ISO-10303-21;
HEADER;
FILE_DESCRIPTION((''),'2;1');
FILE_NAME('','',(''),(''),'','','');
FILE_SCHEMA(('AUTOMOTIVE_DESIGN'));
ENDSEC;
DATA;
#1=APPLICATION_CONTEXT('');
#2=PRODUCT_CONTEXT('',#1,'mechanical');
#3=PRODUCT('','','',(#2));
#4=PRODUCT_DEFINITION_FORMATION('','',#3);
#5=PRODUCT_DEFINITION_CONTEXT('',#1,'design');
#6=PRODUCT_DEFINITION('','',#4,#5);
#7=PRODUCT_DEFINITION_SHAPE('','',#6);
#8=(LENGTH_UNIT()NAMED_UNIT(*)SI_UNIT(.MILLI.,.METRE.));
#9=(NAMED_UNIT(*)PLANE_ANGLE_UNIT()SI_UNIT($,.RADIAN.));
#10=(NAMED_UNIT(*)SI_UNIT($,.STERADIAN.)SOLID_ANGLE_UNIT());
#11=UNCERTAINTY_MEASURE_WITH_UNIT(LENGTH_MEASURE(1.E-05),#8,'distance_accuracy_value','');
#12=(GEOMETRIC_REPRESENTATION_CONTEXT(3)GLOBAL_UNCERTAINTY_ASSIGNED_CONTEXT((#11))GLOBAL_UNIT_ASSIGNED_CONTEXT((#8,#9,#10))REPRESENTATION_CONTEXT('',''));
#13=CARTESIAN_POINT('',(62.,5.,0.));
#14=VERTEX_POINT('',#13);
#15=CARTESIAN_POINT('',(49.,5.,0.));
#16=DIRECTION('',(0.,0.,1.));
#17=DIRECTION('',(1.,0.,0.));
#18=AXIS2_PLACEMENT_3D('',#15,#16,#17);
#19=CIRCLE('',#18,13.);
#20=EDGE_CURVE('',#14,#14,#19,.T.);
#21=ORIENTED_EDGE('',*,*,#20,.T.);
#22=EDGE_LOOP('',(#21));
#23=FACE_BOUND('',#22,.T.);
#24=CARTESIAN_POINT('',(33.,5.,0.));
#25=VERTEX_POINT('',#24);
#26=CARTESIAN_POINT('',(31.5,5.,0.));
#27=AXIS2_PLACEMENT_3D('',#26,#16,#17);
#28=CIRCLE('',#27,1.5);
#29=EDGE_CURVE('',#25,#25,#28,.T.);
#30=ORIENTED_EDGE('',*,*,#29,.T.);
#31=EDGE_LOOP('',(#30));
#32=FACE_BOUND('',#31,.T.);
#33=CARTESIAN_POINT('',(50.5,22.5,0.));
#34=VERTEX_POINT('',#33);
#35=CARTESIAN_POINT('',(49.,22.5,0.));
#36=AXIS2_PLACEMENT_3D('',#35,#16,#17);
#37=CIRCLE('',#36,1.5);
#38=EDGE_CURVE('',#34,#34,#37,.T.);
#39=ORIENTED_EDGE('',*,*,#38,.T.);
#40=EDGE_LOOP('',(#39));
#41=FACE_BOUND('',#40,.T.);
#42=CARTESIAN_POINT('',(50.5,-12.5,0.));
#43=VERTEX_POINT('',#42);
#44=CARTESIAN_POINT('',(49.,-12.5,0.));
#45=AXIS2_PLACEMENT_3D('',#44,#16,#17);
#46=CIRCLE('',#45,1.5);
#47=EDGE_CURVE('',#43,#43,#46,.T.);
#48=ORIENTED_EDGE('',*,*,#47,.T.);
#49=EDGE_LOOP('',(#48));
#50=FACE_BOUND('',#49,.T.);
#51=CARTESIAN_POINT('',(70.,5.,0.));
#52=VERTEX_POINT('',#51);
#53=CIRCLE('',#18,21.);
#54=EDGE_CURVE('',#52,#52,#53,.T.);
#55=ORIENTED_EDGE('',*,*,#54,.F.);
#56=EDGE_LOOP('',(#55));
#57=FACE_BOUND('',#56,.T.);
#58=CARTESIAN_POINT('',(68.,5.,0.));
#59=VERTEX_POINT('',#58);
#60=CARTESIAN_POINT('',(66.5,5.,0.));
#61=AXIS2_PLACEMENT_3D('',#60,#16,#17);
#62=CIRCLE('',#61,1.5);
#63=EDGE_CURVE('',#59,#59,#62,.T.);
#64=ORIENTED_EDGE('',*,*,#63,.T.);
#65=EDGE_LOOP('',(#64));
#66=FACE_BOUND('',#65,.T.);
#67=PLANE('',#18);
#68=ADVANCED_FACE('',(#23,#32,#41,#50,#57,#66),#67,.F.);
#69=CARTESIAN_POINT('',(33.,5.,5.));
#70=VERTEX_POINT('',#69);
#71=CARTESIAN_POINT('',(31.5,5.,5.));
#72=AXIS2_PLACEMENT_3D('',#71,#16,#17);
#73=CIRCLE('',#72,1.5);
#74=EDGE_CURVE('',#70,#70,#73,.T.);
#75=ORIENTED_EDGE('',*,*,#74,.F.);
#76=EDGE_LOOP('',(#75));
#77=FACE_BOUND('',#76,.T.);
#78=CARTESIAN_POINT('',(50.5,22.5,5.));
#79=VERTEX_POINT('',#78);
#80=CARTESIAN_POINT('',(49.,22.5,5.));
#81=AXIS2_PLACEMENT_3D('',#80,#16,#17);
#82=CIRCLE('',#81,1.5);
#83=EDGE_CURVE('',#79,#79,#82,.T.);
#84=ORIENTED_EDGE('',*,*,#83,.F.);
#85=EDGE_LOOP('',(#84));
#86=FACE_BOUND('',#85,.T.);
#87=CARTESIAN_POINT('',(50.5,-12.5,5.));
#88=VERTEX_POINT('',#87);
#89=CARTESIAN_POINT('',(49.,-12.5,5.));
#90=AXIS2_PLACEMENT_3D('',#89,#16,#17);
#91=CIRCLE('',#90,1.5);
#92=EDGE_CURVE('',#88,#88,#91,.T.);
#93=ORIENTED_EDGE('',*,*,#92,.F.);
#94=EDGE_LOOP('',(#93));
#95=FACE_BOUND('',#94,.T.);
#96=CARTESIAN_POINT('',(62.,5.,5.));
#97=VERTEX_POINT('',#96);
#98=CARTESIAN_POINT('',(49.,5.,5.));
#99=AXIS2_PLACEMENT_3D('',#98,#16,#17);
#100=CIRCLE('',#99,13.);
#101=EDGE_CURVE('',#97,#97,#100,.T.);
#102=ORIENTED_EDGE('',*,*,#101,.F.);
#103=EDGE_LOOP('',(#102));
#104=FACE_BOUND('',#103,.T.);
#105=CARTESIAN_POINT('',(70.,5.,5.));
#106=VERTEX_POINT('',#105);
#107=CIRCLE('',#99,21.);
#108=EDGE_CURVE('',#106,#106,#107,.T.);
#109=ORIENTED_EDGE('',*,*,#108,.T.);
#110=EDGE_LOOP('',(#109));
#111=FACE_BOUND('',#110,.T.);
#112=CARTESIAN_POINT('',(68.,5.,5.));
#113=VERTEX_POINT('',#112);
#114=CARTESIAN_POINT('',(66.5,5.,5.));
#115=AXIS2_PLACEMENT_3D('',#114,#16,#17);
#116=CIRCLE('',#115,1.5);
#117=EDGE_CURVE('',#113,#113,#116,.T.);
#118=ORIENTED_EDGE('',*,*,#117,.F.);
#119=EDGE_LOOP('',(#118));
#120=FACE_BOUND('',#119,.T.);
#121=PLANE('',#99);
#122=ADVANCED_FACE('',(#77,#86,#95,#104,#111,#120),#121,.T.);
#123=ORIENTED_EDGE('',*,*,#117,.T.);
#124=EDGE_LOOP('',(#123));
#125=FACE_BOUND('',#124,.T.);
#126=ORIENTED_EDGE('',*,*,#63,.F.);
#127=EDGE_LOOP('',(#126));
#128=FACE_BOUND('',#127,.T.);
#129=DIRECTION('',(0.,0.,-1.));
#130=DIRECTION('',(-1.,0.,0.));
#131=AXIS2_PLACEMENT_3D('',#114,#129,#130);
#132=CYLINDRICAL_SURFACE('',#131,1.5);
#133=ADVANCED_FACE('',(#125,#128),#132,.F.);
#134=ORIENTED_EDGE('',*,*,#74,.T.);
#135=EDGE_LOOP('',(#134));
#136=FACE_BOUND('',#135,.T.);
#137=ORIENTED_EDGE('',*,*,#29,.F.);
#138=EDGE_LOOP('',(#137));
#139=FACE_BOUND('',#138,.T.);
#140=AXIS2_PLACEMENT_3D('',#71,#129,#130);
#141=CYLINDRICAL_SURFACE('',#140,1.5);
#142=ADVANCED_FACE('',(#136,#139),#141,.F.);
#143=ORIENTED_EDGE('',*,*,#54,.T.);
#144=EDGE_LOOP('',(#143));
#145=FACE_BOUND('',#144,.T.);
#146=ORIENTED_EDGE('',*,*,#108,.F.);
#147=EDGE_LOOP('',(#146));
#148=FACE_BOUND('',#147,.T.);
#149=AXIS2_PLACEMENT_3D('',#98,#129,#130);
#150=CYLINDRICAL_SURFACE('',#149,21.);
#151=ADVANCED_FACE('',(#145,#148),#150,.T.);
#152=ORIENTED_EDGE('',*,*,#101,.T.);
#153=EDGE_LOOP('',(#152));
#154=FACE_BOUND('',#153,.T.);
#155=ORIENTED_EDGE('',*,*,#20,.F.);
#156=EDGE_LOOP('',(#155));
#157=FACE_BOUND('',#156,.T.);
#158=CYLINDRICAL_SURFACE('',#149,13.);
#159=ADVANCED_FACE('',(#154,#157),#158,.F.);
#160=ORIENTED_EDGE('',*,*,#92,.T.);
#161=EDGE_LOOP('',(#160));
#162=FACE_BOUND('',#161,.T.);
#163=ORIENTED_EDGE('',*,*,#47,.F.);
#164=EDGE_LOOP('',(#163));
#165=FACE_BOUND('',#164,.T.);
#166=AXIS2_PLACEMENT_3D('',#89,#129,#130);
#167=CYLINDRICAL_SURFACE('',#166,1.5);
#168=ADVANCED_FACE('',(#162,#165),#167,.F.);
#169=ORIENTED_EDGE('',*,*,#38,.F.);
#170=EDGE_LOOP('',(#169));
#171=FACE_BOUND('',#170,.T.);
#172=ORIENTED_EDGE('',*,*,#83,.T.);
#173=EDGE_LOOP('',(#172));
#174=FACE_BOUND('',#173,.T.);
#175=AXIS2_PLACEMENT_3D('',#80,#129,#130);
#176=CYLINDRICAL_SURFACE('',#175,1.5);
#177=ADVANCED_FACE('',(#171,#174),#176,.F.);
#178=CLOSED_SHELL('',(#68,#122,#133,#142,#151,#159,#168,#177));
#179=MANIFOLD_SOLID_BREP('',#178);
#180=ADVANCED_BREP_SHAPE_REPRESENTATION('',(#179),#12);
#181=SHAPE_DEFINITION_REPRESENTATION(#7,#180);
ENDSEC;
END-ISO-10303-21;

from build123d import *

# Parameters (mm, degrees)
SKETCH1_R           = 21
SKETCH1_R_2         = 13
SKETCH1_R_3         = 1.5
BOSS_EXTRUDE1_DEPTH = 5


with BuildPart() as part:
    # Sketch1 → Boss-Extrude1 (new body)
    with BuildSketch(Plane.XY):
        with Locations((49, 5)):
            Circle(SKETCH1_R)
        with Locations((49, 5)):
            Circle(SKETCH1_R_2, mode=Mode.SUBTRACT)
        with Locations((31.5, 5)):
            Circle(SKETCH1_R_3, mode=Mode.SUBTRACT)
        with Locations((49, 22.5)):
            Circle(SKETCH1_R_3, mode=Mode.SUBTRACT)
        with Locations((66.5, 5)):
            Circle(SKETCH1_R_3, mode=Mode.SUBTRACT)
        with Locations((49, -12.5)):
            Circle(SKETCH1_R_3, mode=Mode.SUBTRACT)
    extrude(amount=BOSS_EXTRUDE1_DEPTH)


solid = part.part
